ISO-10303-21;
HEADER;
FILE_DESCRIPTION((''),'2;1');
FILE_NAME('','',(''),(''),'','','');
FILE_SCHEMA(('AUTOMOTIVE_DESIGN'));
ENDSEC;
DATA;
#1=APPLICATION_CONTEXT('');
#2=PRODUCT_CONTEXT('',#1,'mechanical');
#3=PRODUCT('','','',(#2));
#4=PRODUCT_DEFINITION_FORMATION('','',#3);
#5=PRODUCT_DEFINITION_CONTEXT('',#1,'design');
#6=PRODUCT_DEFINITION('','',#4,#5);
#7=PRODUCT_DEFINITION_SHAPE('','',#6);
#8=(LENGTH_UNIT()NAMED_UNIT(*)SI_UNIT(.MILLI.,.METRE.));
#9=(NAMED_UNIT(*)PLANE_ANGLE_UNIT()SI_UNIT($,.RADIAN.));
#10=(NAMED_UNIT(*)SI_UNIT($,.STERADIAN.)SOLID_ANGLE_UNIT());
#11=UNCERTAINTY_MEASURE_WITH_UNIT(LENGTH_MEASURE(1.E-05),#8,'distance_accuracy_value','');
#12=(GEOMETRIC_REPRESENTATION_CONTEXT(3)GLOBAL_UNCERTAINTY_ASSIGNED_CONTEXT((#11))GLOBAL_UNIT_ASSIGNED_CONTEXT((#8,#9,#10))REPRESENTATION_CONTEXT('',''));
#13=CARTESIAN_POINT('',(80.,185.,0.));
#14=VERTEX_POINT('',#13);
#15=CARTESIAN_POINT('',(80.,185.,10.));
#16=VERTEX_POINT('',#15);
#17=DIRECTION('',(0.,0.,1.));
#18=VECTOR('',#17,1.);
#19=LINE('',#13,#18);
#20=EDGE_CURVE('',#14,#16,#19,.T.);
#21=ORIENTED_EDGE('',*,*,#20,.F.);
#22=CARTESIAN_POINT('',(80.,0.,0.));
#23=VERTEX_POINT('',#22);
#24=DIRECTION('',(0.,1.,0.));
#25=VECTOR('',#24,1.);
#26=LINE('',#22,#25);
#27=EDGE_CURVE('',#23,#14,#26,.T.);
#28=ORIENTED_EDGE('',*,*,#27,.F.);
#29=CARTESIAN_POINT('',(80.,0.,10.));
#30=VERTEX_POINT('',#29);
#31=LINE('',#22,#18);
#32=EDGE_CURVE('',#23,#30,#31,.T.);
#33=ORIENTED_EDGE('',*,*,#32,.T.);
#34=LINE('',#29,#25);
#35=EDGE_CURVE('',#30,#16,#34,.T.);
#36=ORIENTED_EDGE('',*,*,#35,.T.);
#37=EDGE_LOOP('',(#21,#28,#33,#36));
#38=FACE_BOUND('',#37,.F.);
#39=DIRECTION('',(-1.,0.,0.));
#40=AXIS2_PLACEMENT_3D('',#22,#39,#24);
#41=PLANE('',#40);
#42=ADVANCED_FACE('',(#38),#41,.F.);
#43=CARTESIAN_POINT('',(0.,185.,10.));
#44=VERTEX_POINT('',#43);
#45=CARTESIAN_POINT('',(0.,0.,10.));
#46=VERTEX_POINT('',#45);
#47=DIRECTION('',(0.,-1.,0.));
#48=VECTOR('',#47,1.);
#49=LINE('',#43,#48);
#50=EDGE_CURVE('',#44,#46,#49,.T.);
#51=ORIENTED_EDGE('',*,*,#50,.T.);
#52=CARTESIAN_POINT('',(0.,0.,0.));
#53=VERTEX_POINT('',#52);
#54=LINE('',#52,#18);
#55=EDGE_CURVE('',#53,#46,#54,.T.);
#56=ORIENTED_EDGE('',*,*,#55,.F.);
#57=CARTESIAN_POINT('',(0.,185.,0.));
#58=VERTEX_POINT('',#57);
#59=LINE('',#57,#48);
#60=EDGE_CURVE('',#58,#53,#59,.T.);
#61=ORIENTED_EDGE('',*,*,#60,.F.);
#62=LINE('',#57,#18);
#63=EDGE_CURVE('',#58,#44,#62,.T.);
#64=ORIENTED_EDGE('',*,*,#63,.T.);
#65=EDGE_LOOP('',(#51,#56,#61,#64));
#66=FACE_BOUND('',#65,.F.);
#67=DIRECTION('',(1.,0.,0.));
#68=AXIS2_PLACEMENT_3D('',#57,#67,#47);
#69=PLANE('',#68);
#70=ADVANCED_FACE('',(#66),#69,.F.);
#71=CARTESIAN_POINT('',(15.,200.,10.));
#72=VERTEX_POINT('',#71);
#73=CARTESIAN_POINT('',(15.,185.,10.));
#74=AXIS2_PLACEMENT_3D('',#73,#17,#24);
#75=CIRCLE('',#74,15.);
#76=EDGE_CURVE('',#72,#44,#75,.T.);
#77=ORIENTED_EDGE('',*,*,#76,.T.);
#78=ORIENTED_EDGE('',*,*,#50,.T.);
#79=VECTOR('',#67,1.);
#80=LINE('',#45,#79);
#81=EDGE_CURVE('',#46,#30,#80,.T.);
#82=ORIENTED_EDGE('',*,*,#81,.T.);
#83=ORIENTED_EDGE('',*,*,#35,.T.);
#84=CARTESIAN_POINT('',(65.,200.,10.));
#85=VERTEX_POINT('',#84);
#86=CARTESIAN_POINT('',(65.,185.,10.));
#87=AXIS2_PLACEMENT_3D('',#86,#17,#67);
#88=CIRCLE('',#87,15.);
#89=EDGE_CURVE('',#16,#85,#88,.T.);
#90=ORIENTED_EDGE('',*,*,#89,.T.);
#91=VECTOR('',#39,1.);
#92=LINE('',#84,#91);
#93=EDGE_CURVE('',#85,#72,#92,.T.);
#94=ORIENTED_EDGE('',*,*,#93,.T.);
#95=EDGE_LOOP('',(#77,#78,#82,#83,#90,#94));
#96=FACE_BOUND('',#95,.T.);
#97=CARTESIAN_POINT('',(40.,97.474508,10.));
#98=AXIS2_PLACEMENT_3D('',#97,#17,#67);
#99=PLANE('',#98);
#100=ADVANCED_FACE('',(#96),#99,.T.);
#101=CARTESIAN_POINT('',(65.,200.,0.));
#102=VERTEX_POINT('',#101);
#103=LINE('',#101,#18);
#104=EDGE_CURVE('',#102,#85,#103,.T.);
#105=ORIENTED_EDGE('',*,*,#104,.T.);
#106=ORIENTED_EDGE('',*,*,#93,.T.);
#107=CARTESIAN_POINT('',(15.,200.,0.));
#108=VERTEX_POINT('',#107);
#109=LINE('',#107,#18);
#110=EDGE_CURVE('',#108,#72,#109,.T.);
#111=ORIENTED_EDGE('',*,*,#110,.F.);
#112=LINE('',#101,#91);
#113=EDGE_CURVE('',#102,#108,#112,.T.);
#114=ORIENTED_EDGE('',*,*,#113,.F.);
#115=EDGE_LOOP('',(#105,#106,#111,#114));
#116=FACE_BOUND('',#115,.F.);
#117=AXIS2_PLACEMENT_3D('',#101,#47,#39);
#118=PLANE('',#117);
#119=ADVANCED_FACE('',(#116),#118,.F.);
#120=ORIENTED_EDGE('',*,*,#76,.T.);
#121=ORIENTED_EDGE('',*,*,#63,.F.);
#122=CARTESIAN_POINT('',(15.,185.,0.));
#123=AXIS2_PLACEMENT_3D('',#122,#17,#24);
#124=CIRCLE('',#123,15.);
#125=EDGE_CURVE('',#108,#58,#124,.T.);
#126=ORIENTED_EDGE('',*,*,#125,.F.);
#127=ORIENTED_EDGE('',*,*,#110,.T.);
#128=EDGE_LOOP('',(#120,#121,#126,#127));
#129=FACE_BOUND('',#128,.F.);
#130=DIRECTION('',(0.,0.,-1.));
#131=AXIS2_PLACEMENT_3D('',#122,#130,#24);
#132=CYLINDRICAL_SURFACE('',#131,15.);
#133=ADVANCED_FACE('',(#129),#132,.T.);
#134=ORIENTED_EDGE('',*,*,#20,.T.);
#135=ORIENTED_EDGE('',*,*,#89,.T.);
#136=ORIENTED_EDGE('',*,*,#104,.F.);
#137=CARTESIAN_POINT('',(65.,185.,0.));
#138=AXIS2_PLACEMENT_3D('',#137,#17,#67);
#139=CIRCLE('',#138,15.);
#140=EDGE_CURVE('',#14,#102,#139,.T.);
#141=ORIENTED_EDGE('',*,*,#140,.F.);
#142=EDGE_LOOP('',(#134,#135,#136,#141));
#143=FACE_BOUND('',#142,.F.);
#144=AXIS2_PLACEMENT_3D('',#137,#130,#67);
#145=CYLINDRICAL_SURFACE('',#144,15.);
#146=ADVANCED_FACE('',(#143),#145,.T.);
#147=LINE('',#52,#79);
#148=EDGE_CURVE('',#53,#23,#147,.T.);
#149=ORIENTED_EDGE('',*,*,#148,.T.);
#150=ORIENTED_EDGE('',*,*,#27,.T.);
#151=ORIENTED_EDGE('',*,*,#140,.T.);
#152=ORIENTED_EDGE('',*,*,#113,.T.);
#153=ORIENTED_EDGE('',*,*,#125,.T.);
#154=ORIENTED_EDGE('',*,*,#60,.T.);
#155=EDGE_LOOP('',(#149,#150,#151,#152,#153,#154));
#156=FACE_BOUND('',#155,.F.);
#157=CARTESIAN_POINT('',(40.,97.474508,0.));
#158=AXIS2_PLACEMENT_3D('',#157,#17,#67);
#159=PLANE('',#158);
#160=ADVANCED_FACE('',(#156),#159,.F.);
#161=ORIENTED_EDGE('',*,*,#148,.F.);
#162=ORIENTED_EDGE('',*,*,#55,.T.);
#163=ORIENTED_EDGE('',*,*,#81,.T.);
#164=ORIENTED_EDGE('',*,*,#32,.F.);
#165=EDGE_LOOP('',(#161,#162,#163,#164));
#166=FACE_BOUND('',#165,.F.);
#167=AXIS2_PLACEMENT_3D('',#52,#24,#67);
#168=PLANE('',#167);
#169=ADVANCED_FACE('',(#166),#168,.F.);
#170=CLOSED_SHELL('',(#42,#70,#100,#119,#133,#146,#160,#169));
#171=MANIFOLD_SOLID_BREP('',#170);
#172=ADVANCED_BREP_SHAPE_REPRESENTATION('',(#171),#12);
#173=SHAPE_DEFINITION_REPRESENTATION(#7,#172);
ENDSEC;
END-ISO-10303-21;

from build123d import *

# Parameters (mm, degrees)
F1_DEPTH = 2.54
F4_DEPTH = 10


with BuildPart() as f1:
    # F0 (on Top) → F1 (new body)
    with BuildSketch(Plane.XY):
        with BuildLine():
            Line((11.0244164243, 29.6400431544), (0, 29.6400431544))
            Line((0, 29.6400431544), (-11.0244164243, 29.6400431544))
            add(Edge.make_bspline(
                [(-11.0244164243, 29.6400431544), (-19.7652843985, 29.6400431544), (-31.2645126812, 26.8662396786), (-34.4778372712, 15.8377015636), (-34.6175096929, 8.574783802)],
                knots=[0, 0, 0, 0, 0.5156604328, 1, 1, 1, 1], degree=3))
            Line((-34.6175096929, 8.574783802), (-34.6175096929, -34.9600836635))
            Line((-34.6175096929, -34.9600836635), (0, -34.9600836635))
            Line((0, -34.9600836635), (34.6175096929, -34.9600836635))
            Line((34.6175096929, -34.9600836635), (34.6175096929, 8.574783802))
            add(Edge.make_bspline(
                [(11.0244164243, 29.6400431544), (19.7652843985, 29.6400431544), (31.2645126812, 26.8662396786), (34.4778372712, 15.8377015636), (34.6175096929, 8.574783802)],
                knots=[0, 0, 0, 0, 0.5156604328, 1, 1, 1, 1], degree=3))
        make_face()
    extrude(amount=F1_DEPTH)


with BuildPart() as f4:
    # F3 (on Top) → F4 (new body)
    with BuildSketch(Plane.XY):
        with BuildLine():
            Line((0, 185), (0, 0))
            Line((0, 0), (80, 0))
            Line((80, 0), (80, 185))
            ThreePointArc((80, 185), (75.6066017178, 195.6066017178), (65, 200))
            Line((65, 200), (15, 200))
            ThreePointArc((15, 200), (4.3933982822, 195.6066017178), (0, 185))
        make_face()
    extrude(amount=F4_DEPTH)


solid = f4.part
